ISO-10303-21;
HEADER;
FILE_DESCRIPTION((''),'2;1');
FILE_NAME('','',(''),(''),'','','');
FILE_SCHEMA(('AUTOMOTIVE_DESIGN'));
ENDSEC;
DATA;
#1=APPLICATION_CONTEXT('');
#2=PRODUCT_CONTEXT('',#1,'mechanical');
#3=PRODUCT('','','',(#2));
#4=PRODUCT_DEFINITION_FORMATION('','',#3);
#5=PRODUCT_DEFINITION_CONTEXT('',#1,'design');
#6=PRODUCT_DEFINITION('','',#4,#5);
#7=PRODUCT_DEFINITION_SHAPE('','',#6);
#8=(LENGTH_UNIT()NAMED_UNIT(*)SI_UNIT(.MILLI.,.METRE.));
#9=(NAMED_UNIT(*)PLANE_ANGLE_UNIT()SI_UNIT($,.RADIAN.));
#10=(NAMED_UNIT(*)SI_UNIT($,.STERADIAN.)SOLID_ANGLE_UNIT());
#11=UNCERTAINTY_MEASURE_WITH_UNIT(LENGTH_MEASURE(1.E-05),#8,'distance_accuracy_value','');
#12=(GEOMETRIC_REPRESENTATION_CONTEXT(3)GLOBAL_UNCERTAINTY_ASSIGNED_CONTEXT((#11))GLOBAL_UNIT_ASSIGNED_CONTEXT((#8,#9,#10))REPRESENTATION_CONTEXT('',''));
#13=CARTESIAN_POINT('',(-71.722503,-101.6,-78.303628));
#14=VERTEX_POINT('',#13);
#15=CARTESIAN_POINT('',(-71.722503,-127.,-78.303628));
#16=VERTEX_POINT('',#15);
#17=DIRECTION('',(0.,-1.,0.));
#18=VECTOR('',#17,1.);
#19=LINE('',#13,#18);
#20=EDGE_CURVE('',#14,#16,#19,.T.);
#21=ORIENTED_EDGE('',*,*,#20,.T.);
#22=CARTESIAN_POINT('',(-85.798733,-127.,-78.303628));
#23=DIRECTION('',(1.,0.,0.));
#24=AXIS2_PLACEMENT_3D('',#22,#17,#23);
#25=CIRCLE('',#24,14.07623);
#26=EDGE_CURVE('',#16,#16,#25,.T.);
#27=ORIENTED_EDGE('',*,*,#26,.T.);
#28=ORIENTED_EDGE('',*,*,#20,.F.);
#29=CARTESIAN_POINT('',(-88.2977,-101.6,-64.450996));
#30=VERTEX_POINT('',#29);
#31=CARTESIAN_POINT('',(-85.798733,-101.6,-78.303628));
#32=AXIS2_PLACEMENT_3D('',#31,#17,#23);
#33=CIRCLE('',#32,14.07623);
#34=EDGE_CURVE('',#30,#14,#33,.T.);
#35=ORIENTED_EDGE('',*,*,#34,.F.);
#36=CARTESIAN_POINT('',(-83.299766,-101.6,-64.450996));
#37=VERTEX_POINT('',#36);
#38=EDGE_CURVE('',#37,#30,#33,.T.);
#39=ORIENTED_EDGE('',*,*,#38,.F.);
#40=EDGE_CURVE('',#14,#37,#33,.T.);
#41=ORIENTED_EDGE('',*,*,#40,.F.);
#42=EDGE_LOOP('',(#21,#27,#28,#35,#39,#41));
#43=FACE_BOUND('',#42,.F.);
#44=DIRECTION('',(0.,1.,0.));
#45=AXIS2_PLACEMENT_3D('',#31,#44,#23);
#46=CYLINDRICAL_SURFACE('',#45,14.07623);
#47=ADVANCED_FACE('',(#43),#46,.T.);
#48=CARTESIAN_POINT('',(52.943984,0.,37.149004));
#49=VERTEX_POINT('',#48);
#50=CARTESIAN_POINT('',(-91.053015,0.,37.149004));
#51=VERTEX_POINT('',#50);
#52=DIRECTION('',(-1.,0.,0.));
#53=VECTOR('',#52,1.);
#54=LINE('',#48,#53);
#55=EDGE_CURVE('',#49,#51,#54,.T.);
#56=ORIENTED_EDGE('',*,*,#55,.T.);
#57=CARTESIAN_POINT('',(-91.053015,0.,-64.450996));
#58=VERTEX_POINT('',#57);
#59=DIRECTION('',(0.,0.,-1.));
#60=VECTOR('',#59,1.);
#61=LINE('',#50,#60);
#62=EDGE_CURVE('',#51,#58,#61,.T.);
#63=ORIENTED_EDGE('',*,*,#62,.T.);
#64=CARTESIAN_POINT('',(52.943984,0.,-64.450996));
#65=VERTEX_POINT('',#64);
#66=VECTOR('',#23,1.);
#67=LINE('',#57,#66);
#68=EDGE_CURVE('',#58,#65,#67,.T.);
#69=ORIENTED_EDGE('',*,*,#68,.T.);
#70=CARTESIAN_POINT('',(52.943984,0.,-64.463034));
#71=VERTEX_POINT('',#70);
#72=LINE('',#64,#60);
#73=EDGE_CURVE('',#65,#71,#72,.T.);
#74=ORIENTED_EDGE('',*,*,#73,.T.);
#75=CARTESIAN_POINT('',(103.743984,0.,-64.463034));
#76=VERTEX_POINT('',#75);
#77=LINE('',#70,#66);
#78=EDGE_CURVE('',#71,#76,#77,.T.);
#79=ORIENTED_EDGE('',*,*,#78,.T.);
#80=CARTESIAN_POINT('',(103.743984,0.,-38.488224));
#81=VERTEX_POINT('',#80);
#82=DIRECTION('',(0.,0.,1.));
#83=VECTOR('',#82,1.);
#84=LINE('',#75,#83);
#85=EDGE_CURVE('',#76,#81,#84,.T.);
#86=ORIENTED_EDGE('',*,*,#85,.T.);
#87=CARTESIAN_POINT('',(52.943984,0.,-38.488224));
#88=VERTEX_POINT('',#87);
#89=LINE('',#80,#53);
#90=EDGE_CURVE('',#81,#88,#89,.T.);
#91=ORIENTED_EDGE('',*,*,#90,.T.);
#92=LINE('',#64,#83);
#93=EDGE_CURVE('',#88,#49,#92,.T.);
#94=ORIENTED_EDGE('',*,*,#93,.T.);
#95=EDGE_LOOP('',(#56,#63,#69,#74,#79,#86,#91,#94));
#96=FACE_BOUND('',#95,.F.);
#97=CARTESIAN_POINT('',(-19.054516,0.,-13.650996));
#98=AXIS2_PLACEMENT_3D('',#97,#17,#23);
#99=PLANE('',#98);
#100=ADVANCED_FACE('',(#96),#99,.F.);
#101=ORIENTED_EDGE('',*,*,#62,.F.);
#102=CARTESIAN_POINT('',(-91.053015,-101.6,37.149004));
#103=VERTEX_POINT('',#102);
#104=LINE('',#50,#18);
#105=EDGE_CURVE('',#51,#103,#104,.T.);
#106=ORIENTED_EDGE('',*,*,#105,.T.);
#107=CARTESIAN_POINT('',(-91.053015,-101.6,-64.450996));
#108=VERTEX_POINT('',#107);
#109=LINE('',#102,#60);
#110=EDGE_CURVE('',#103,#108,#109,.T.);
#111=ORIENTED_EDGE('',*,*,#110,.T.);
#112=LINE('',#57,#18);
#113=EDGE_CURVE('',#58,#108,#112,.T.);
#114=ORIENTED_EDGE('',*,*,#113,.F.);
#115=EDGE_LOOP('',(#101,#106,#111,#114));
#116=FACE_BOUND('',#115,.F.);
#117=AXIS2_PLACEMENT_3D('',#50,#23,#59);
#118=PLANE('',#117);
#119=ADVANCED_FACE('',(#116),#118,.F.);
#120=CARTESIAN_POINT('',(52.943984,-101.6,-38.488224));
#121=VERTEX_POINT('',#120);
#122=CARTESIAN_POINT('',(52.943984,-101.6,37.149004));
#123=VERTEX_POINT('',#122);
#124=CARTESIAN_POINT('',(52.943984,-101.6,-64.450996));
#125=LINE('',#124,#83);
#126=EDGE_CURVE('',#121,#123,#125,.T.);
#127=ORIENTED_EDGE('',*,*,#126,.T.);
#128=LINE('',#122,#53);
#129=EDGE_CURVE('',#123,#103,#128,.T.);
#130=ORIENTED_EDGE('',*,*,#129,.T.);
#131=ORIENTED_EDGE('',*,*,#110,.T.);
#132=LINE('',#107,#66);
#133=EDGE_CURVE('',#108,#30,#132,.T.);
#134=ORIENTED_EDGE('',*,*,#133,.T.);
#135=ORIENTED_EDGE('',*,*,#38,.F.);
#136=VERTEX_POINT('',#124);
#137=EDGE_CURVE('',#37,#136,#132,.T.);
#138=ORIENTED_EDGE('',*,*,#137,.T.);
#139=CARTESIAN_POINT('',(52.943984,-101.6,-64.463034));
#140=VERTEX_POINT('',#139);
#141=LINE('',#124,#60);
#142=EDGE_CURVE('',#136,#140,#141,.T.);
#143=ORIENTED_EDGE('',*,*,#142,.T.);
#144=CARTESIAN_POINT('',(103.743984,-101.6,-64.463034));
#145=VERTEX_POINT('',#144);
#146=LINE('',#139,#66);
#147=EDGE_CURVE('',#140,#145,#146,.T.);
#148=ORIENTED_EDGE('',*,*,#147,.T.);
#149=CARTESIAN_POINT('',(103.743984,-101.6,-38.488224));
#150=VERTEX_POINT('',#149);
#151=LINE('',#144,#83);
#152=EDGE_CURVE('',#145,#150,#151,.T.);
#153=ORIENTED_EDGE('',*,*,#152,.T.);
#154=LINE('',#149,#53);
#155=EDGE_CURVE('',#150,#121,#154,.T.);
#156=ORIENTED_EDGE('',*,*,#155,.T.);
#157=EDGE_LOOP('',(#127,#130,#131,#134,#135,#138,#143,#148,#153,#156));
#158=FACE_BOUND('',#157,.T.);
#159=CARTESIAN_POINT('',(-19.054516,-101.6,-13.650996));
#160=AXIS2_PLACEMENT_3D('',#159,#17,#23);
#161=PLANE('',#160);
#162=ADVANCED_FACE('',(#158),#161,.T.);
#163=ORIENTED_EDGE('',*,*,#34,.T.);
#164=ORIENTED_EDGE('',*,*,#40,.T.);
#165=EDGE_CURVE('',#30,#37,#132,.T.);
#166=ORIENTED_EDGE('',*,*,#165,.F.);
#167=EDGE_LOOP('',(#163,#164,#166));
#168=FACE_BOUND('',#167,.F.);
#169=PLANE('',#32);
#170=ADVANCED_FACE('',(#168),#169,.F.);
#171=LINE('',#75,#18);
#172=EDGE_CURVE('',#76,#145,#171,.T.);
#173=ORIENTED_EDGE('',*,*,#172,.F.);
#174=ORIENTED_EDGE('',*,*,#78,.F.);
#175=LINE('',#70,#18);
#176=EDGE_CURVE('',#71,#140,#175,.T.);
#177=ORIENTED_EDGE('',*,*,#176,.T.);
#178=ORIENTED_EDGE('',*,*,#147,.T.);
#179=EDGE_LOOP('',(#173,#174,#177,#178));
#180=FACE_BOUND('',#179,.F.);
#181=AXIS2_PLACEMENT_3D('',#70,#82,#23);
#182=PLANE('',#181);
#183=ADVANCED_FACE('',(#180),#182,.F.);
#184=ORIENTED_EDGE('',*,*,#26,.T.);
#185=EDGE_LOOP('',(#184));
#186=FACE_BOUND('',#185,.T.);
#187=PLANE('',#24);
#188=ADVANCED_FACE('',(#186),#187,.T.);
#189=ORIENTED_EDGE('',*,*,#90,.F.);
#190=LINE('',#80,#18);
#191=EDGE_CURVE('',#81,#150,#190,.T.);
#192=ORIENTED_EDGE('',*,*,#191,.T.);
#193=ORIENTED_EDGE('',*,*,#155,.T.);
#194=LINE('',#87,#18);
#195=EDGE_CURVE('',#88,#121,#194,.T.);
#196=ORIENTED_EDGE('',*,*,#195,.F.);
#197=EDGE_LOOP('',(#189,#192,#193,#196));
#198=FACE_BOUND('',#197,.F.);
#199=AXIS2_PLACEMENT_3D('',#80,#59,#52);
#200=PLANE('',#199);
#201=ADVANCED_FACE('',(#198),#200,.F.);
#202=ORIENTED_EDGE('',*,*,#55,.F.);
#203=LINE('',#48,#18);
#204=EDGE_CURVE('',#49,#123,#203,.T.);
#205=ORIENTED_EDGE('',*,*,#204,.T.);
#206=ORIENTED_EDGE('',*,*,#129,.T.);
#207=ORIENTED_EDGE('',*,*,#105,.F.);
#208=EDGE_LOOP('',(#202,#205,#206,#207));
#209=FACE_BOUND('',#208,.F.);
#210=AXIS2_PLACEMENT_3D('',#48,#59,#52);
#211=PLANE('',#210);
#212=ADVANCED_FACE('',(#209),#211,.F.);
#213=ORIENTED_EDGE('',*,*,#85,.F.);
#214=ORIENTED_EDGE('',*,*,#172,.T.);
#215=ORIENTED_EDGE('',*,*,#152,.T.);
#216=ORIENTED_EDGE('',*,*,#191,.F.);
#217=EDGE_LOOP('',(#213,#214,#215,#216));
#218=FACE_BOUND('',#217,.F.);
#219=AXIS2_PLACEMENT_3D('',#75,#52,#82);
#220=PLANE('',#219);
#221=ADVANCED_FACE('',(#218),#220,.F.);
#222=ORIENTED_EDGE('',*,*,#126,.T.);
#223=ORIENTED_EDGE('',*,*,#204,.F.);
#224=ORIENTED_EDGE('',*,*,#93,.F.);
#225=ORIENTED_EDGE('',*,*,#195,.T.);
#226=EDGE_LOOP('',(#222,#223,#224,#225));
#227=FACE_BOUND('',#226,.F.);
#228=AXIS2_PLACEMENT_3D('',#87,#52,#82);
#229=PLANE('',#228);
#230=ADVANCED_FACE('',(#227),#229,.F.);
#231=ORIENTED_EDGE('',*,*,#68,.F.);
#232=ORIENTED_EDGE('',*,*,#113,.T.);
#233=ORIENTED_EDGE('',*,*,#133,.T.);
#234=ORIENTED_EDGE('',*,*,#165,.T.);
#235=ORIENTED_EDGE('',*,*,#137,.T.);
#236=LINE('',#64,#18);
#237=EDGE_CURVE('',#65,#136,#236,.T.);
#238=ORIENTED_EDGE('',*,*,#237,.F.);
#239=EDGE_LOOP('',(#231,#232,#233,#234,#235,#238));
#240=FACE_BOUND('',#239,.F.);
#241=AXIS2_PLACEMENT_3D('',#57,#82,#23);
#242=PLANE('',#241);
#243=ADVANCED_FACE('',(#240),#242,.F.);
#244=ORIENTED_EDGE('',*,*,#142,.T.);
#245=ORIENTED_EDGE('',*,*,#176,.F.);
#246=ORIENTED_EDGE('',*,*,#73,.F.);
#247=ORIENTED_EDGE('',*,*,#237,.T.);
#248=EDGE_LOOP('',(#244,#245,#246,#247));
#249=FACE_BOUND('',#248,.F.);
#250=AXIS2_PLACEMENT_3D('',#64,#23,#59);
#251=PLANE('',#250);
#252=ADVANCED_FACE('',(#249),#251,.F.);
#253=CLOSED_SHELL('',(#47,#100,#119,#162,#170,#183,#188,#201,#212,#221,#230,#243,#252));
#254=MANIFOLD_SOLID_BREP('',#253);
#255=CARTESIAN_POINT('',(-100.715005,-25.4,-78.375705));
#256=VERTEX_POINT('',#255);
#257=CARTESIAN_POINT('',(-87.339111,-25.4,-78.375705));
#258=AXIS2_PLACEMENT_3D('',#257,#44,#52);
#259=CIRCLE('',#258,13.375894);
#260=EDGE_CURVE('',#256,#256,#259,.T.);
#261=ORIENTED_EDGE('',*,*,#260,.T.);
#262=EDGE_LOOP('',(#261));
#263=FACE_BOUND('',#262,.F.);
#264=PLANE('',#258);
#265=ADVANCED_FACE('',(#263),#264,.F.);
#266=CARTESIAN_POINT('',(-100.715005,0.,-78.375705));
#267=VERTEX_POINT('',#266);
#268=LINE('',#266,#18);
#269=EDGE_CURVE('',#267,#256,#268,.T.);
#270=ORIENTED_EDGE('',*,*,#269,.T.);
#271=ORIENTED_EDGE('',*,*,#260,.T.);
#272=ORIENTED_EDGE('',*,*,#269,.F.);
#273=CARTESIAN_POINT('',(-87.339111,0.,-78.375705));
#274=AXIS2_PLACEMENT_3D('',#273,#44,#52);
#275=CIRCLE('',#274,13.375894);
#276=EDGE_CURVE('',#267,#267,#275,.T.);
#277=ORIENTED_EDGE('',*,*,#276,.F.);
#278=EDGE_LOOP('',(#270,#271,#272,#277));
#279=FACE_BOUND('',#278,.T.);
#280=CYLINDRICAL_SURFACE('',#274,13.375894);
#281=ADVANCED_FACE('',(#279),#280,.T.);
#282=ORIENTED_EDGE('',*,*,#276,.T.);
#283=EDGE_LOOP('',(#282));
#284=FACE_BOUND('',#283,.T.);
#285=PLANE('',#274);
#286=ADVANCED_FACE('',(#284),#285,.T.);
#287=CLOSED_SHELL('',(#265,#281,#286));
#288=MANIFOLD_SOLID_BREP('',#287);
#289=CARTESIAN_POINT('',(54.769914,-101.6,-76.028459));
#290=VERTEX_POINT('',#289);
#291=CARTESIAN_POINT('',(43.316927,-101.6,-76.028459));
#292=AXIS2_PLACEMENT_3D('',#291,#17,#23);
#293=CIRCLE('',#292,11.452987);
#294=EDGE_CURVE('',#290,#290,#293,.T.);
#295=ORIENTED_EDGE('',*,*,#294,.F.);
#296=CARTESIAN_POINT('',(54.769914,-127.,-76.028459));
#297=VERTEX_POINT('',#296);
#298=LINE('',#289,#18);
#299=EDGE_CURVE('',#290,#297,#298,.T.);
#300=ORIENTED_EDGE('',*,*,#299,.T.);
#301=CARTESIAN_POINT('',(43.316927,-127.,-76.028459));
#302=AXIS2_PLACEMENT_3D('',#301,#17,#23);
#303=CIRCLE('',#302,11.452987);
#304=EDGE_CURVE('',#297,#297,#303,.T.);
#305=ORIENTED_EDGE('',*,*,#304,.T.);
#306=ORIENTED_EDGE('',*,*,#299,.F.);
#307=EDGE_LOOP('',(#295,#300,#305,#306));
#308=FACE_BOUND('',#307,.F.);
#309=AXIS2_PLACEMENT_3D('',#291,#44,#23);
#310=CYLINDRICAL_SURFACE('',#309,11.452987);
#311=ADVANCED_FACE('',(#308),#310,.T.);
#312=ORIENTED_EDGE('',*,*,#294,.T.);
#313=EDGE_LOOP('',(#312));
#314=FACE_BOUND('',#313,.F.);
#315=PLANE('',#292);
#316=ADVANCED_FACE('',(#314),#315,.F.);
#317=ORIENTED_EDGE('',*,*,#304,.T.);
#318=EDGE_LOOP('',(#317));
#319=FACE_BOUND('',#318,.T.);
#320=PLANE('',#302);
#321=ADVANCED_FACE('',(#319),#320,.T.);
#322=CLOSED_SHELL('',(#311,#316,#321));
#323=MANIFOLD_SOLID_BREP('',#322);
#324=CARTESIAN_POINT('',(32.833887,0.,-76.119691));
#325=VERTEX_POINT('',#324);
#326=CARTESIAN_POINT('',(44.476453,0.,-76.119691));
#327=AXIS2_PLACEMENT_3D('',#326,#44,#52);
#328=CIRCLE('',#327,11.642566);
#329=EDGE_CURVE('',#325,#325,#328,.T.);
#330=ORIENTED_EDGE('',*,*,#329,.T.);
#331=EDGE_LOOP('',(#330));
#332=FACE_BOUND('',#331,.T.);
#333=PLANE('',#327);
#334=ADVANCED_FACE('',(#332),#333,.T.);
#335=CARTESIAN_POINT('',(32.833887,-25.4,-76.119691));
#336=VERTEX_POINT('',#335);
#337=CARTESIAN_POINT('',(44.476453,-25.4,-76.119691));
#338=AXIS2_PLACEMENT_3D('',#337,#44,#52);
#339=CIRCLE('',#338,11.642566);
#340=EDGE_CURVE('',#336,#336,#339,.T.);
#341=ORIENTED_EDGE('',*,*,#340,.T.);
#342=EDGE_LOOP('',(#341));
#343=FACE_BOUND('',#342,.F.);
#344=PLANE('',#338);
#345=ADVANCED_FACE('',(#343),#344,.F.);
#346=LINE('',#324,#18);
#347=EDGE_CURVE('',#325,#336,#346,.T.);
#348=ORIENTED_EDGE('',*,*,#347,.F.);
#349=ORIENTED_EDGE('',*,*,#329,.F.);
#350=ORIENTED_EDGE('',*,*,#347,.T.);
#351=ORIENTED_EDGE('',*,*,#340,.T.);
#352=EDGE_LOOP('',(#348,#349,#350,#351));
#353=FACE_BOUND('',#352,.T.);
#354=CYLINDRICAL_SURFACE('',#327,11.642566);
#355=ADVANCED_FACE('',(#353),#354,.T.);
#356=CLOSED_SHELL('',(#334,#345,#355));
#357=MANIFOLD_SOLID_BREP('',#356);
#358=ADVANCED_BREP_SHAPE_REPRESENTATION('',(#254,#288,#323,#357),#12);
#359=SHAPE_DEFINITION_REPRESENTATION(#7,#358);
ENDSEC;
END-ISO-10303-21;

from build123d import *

# Parameters (mm, degrees)
F1_DEPTH = 101.6
F2_W     = 37.540236
F2_H     = 32.421116
F2_W_2   = 44.555331
F2_H_2   = 31.852323
F2_W_3   = 33.748291
F2_H_3   = 32.800309
F3_DEPTH = 2.54
F4_R     = 14.07623
F4_R_2   = 11.452987
F5_DEPTH = 25.4
F6_R     = 13.375894
F6_R_2   = 11.642566
F7_DEPTH = 25.4


with BuildPart() as f1:
    # F0 (on Front) → F1 (new body)
    with BuildSketch(Plane.XZ):
        Polygon((52.943984, -38.488224), (52.943984, 37.149004), (-91.053015, 37.149004), (-91.053015, -64.450996), (52.943984, -64.450996), align=None)
        Polygon((103.743984, -38.488224), (52.943984, -38.488224), (52.943984, -64.450996), (52.943984, -64.463034), (103.743984, -64.463034), align=None)
    extrude(amount=F1_DEPTH)

    # F2 (on Front) → F3 (join)
    with BuildSketch(Plane.XZ):
        with Locations((32.320294, -21.519279)):
            Rectangle(F2_W, F2_H)
        with Locations((-8.917086, -21.614076)):
            Rectangle(F2_W_2, F2_H_2)
        with Locations((-52.050438, -22.088069)):
            Rectangle(F2_W_3, F2_H_3)
    extrude(amount=F3_DEPTH)

    # F4 (on face) → F5 (join)
    with BuildSketch(Plane.XZ.offset(101.6)):
        with Locations((-85.798733, -78.303628)):
            Circle(F4_R)
        with Locations((43.316927, -76.028459)):
            Circle(F4_R_2)
    extrude(amount=F5_DEPTH)


with BuildPart() as f7:
    # F6 (on face) → F7 (new body)
    with BuildSketch(Plane(origin=(0, 0, 0), x_dir=(-1, 0, 0), z_dir=(0, 1, 0))):
        with Locations((87.339111, -78.375705)):
            Circle(F6_R)
        with Locations((-44.476453, -76.119691)):
            Circle(F6_R_2)
    extrude(amount=-F7_DEPTH)


solid = Compound([f1.part, f7.part])
